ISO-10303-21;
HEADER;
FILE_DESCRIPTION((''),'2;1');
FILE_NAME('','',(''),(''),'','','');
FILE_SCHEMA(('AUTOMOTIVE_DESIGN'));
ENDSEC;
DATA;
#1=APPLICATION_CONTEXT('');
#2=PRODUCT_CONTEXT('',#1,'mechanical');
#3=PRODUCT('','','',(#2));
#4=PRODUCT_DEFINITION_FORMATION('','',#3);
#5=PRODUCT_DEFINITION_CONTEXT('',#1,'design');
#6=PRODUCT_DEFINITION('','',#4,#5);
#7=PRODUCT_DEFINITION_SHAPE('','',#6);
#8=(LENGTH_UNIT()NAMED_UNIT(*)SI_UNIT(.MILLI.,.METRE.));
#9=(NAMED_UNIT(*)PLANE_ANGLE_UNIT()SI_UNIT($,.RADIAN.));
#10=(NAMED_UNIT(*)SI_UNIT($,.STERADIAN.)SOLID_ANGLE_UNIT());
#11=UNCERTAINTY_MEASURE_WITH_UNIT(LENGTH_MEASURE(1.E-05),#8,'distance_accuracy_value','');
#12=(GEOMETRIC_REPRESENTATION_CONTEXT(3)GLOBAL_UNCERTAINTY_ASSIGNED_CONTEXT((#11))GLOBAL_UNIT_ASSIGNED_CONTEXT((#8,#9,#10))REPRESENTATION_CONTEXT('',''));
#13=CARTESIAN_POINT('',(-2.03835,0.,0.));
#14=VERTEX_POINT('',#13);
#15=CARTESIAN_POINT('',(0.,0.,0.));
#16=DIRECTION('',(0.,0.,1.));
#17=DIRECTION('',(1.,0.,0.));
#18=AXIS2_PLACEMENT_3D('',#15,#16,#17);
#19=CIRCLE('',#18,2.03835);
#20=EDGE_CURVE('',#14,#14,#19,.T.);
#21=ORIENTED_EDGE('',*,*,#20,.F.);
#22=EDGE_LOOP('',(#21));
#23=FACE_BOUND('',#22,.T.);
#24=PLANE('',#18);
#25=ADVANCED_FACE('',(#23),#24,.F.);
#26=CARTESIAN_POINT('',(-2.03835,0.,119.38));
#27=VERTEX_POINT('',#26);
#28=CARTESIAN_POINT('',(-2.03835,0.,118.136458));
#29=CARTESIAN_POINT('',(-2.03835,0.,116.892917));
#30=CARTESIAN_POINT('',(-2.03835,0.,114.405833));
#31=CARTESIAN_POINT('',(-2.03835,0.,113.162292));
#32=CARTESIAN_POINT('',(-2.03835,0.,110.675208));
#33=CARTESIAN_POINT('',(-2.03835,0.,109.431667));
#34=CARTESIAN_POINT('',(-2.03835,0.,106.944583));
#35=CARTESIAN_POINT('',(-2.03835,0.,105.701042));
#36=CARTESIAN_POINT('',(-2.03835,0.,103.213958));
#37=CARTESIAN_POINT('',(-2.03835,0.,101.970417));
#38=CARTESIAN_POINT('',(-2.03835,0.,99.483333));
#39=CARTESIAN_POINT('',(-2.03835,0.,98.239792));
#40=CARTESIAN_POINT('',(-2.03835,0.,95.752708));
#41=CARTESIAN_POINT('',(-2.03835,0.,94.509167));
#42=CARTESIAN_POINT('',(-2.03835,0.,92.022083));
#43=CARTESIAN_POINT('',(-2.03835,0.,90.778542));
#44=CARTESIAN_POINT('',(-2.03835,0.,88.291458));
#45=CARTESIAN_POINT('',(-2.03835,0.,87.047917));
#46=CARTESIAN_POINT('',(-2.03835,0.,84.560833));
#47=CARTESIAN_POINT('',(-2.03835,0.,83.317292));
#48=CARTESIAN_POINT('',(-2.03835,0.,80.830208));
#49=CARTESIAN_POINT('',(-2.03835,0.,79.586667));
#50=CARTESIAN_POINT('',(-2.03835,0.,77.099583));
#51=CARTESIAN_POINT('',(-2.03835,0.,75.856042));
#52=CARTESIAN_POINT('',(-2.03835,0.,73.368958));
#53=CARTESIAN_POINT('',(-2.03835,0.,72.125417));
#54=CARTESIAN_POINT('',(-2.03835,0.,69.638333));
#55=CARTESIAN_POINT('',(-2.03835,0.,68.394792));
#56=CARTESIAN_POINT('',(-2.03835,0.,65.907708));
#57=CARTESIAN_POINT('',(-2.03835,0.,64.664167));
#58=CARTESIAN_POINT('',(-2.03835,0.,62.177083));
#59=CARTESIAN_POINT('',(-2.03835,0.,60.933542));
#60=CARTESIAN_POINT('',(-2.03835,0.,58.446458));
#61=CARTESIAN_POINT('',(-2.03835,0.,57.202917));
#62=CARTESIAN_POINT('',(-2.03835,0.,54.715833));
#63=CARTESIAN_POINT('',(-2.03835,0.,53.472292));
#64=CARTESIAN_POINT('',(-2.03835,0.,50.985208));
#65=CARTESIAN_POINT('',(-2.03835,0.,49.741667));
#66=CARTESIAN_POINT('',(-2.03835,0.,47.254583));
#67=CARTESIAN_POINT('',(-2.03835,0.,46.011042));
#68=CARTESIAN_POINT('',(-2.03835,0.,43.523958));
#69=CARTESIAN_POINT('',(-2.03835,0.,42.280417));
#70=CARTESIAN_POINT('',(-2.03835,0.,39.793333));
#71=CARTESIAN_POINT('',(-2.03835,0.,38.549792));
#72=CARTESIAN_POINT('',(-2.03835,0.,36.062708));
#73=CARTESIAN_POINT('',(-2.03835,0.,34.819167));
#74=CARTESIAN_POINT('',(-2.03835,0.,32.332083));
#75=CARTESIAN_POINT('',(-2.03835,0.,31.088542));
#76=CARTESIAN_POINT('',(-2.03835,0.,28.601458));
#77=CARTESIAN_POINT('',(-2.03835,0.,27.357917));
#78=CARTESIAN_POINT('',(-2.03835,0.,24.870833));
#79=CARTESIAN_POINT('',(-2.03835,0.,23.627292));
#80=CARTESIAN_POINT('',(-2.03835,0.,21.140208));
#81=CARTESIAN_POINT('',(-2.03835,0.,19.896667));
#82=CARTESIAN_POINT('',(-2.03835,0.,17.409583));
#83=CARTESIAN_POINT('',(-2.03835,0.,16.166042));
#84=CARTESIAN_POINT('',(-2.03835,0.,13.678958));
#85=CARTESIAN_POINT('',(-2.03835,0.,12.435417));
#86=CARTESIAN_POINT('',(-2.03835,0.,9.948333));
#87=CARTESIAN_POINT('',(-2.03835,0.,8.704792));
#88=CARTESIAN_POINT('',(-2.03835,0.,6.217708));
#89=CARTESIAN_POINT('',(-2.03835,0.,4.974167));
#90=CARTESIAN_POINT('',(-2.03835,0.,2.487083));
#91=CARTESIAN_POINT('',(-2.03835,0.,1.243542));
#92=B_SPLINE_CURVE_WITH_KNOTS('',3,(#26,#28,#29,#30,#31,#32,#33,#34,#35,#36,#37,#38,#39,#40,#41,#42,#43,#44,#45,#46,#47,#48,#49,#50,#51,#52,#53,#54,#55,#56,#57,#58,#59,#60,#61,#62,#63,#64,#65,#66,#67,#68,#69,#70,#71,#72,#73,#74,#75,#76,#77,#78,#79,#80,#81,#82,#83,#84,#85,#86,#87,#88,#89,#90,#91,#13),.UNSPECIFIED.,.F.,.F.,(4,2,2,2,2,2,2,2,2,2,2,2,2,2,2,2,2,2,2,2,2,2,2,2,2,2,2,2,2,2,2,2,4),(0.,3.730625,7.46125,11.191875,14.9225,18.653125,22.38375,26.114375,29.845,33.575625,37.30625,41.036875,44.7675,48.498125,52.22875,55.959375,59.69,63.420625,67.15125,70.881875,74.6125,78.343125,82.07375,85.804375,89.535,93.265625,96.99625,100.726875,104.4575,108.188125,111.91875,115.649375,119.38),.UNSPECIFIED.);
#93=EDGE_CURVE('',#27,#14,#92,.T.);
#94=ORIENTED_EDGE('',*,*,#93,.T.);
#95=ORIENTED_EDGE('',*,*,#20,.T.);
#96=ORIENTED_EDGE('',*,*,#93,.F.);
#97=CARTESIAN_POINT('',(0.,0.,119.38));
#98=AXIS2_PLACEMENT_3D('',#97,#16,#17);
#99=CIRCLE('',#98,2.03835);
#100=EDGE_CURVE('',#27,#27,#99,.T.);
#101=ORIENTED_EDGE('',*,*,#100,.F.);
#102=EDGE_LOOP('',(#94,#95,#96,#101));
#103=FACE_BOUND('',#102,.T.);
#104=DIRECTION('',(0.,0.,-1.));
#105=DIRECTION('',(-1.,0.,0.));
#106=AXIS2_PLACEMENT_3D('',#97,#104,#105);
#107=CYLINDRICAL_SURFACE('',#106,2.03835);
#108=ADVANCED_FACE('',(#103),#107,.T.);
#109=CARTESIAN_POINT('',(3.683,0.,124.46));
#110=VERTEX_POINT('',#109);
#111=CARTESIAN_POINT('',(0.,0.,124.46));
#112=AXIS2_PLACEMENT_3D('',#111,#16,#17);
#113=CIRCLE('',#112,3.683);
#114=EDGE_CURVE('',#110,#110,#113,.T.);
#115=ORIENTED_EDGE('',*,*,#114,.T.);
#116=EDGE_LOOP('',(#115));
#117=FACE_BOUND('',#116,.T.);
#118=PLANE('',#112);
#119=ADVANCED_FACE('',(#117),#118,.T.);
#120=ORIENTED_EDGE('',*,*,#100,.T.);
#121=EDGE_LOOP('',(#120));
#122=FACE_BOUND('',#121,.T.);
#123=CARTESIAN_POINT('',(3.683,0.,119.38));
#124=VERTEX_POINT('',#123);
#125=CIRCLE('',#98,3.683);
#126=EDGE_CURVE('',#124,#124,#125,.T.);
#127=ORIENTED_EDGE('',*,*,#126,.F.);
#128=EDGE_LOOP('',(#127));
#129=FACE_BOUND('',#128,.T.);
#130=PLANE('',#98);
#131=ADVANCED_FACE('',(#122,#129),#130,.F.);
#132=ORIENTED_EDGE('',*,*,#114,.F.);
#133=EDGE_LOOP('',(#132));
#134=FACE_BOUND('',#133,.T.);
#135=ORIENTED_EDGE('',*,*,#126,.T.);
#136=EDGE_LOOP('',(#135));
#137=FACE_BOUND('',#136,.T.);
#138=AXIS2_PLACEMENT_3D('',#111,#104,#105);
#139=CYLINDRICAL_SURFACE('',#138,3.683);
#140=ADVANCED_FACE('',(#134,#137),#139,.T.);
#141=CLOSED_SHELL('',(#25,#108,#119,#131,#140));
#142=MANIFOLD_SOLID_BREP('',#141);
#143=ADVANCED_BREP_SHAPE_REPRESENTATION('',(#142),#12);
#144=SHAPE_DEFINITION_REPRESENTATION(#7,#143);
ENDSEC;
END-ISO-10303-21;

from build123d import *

# Parameters (mm, degrees)
SKETCH2_R           = 2.03835
BOSS_EXTRUDE1_DEPTH = 119.38
SKETCH3_R           = 3.683
BOSS_EXTRUDE2_DEPTH = 5.08


with BuildPart() as part:
    # Sketch2 → Boss-Extrude1 (new body)
    with BuildSketch(Plane.XY):
        with Locations(Location((0, 0, 0), (0, 0, 180))):
            Circle(SKETCH2_R)
    extrude(amount=BOSS_EXTRUDE1_DEPTH)

    # Sketch3 → Boss-Extrude2 (add)
    with BuildSketch(Plane.XY.offset(119.38)):
        Circle(SKETCH3_R)
    extrude(amount=BOSS_EXTRUDE2_DEPTH)


solid = part.part
